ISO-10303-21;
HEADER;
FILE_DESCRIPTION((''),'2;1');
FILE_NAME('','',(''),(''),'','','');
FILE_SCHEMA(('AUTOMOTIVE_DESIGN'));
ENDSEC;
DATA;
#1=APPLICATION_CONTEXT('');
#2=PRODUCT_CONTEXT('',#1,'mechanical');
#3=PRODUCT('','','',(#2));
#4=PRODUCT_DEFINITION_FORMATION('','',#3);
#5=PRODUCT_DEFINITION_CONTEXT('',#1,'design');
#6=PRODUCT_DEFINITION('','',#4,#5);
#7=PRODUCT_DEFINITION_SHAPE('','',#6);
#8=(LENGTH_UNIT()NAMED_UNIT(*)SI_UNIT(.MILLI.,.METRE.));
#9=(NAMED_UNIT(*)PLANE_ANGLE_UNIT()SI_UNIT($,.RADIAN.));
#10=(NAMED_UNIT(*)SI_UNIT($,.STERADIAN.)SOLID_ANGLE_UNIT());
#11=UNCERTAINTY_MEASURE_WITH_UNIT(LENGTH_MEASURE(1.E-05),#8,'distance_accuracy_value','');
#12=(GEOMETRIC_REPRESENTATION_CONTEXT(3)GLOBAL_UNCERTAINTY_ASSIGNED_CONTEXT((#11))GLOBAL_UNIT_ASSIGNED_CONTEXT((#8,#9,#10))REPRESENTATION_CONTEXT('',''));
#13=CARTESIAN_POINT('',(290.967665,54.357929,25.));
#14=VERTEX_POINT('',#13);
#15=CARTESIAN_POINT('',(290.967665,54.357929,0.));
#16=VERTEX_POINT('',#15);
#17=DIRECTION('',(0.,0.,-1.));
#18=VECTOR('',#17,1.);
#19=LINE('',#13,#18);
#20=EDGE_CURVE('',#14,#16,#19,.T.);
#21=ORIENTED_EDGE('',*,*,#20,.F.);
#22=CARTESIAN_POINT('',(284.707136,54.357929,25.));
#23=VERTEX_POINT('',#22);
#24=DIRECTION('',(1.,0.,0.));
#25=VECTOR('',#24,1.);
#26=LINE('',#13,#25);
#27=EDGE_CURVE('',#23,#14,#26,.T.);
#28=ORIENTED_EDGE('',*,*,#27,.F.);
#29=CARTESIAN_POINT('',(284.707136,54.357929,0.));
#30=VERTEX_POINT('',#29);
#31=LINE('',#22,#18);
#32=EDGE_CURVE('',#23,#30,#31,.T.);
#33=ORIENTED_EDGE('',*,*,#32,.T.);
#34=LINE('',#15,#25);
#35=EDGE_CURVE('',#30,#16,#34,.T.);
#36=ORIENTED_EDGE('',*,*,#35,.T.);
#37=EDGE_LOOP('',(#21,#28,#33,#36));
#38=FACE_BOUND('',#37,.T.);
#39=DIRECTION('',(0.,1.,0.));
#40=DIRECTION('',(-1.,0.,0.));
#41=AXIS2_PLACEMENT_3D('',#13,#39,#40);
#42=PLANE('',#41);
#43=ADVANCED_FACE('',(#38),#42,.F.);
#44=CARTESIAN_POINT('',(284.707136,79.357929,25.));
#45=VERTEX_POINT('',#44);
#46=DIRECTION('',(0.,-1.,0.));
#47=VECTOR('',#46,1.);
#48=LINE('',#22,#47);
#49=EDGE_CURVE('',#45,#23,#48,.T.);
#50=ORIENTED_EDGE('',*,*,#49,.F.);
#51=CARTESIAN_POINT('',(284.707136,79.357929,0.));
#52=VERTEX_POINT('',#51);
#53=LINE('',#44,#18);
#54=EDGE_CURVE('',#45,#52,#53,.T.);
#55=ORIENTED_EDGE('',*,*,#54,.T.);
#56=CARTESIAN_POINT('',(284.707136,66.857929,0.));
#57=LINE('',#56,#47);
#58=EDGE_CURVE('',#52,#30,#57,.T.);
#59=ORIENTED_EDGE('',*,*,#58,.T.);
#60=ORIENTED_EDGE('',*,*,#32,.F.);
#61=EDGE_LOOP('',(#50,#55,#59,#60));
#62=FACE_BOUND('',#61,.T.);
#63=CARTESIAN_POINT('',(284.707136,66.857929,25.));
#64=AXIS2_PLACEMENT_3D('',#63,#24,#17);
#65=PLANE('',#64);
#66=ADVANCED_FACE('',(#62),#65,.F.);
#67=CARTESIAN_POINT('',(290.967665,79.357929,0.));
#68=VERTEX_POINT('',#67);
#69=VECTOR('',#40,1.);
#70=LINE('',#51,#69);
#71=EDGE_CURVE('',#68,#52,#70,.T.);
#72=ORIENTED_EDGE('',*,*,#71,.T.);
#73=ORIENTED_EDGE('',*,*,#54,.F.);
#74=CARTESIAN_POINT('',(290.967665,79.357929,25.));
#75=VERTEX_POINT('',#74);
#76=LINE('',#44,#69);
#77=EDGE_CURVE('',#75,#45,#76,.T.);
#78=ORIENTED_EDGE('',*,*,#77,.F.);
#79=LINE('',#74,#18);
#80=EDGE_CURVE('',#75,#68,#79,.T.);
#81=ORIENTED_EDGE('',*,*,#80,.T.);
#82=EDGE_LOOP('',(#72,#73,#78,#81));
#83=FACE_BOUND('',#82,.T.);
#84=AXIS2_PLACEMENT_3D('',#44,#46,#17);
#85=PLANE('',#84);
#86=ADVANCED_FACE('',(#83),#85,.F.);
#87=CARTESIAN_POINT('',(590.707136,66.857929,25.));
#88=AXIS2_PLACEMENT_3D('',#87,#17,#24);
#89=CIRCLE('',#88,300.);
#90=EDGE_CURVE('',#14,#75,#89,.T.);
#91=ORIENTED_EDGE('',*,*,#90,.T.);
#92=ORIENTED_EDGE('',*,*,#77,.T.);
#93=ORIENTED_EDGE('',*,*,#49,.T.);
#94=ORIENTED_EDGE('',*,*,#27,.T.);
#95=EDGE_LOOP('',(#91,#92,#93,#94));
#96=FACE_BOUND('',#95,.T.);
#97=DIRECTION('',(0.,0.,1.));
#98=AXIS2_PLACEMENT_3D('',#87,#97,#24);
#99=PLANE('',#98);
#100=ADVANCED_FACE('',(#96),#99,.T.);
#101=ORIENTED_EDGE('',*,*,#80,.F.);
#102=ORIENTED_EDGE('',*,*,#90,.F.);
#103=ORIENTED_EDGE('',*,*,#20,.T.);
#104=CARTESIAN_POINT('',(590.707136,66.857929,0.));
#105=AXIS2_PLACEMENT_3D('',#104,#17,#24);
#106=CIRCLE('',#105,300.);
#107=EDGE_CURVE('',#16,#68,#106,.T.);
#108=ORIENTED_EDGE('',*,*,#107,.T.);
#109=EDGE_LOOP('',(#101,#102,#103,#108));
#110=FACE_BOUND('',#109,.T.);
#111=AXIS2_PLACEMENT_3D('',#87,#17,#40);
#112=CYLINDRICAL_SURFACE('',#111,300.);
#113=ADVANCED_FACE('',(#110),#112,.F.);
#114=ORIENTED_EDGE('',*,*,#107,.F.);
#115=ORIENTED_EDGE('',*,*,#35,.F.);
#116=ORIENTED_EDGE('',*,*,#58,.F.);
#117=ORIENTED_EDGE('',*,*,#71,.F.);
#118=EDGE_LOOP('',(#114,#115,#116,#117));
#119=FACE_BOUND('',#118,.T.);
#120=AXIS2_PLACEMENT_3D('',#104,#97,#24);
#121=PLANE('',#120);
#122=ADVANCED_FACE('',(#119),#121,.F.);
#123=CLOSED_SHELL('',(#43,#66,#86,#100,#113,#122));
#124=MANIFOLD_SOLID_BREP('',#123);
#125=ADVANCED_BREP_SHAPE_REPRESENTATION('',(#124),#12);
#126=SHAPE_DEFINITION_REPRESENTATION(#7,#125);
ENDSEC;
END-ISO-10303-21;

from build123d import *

# Parameters (mm, degrees)
EXTRUDE_1_DEPTH = 25


with BuildPart() as part:
    # 草图1 → 凸台-拉伸1 (new body)
    with BuildSketch(Plane.XY):
        with BuildLine():
            Line((284.707135631, 66.857929268), (284.707135631, 79.357929268))
            Line((284.707135631, 79.357929268), (290.967665424, 79.357929268))
            ThreePointArc((290.967665424, 79.357929268), (290.707135631, 66.857929268), (290.967665424, 54.357929268))
            Line((290.967665424, 54.357929268), (284.707135631, 54.357929268))
            Line((284.707135631, 54.357929268), (284.707135631, 66.857929268))
        make_face()
    extrude(amount=EXTRUDE_1_DEPTH)


solid = part.part
